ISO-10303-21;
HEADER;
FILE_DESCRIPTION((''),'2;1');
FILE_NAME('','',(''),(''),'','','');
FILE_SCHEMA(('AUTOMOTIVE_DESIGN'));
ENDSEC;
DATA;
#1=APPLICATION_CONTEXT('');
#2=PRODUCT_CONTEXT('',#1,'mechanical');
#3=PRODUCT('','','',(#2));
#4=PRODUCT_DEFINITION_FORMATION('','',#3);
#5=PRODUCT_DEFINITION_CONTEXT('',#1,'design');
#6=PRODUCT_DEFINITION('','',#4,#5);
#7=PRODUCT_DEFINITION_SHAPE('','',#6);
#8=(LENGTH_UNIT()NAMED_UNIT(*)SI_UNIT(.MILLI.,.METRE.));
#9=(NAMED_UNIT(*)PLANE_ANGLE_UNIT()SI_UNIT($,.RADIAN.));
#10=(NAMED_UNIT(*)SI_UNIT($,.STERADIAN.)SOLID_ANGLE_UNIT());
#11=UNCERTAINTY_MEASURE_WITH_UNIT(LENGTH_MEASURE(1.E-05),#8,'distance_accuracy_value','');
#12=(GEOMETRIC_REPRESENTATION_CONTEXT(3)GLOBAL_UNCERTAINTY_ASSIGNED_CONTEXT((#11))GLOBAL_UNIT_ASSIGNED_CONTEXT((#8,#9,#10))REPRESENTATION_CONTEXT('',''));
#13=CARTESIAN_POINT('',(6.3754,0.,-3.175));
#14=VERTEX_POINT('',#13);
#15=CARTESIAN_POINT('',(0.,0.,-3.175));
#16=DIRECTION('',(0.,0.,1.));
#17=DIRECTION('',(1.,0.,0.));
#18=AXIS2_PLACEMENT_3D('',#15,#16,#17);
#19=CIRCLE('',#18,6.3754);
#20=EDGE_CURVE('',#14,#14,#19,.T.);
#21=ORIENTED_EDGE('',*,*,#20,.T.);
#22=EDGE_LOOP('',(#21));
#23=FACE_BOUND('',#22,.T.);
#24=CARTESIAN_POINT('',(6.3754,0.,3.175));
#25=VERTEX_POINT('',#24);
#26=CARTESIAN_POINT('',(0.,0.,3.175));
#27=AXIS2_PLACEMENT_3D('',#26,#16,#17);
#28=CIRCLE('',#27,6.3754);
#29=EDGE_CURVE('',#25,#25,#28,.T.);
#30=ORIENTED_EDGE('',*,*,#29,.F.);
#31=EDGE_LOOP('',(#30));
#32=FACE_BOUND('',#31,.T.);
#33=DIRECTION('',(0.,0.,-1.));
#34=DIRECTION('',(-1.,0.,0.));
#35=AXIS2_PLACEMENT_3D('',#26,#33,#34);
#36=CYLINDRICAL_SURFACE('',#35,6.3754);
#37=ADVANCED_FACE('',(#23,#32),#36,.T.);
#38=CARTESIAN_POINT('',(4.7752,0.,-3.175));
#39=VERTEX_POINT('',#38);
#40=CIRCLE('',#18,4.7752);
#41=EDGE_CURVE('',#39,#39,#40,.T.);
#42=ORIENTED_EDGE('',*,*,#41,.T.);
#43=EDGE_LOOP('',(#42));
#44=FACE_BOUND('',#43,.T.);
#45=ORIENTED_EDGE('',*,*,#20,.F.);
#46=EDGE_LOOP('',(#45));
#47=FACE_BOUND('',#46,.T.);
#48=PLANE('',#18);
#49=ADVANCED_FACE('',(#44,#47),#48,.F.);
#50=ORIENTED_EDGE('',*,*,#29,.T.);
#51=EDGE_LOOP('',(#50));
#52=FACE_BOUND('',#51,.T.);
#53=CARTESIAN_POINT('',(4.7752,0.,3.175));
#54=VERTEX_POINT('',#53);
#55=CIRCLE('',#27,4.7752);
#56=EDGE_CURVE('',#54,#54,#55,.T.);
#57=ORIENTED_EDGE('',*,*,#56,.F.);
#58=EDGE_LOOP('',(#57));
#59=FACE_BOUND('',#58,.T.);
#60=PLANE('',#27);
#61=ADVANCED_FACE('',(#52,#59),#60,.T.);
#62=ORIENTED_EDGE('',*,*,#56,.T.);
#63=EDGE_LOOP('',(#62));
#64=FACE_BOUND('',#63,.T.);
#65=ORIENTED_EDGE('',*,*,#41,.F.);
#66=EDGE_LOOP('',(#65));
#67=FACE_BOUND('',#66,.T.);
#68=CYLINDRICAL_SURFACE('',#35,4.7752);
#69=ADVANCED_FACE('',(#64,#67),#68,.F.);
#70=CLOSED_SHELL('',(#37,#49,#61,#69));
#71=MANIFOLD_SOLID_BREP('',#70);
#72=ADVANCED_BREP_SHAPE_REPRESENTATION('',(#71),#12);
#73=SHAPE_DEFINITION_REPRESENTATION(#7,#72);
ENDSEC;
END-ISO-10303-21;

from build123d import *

# Parameters (mm, degrees)
SKETCH1_R           = 6.3754
SKETCH1_R_2         = 4.7752
BOSS_EXTRUDE1_DEPTH = 3.175


with BuildPart() as part:
    # Sketch1 → Boss-Extrude1 (new body, symmetric)
    with BuildSketch(Plane.XY):
        Circle(SKETCH1_R)
        Circle(SKETCH1_R_2, mode=Mode.SUBTRACT)
    extrude(amount=BOSS_EXTRUDE1_DEPTH, both=True)


solid = part.part
